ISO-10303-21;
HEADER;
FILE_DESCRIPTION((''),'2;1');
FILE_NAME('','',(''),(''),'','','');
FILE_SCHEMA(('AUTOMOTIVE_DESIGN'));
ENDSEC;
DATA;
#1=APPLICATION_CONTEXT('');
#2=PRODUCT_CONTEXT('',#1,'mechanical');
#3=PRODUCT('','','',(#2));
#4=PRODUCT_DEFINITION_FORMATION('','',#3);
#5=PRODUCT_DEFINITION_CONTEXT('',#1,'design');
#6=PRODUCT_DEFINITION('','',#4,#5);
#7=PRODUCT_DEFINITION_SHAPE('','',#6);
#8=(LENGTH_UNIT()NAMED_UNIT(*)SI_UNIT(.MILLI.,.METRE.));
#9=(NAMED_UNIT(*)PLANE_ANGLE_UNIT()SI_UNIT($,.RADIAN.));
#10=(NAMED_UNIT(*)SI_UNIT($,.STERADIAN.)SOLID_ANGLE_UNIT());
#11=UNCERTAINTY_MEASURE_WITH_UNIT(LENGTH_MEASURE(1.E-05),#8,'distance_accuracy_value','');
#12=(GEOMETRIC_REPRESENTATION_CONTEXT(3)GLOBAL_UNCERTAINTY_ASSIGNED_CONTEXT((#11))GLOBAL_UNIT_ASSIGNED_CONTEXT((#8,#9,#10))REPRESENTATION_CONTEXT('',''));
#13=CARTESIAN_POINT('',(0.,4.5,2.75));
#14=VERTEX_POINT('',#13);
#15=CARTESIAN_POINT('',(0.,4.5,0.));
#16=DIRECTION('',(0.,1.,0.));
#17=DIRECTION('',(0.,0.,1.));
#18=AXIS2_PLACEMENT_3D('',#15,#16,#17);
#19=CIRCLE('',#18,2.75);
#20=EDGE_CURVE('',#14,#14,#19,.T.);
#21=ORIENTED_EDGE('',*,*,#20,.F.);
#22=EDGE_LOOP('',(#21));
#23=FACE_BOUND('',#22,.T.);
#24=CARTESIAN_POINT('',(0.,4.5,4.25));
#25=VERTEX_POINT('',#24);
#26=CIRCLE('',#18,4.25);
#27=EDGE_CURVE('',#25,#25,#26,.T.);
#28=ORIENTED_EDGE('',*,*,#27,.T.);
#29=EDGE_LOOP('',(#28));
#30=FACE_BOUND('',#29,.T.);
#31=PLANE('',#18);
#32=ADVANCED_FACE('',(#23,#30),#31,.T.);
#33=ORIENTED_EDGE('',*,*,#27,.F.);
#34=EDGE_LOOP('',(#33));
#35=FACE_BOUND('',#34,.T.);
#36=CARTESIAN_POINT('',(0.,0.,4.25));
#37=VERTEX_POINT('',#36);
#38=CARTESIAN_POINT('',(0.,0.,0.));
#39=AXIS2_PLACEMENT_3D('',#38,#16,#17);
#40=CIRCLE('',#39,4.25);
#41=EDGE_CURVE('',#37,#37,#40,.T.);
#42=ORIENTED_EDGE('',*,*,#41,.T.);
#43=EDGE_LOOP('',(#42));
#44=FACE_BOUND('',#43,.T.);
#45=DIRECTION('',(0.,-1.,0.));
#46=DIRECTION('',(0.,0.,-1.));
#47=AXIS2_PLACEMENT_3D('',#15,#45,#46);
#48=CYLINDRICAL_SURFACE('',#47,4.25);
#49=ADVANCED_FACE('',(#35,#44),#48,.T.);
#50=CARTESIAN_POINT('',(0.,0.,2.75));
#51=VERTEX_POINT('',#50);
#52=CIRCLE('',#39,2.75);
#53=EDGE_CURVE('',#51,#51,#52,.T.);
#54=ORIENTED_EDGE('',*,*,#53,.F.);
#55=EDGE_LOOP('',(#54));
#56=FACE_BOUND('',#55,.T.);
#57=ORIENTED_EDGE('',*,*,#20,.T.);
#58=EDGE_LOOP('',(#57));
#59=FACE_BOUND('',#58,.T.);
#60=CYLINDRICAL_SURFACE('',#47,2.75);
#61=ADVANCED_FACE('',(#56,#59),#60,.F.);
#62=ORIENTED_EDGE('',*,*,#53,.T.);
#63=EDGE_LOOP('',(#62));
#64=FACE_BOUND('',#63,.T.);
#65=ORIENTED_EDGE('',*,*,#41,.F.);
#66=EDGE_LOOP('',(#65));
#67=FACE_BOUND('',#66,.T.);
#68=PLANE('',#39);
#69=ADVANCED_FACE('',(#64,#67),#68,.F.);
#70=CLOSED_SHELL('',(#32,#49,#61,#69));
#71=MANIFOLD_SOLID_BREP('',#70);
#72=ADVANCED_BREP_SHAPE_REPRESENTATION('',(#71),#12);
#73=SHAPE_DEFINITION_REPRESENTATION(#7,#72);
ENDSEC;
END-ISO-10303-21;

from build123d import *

# Parameters (mm, degrees)
SKETCH1_R           = 4.25
SKETCH1_R_2         = 2.75
BOSS_EXTRUDE1_DEPTH = 4.5


with BuildPart() as part:
    # Sketch1 → Boss-Extrude1 (new body)
    with BuildSketch(Plane(origin=(0, 0, 0), x_dir=(1, 0, 0), z_dir=(0, 1, 0))):
        Circle(SKETCH1_R)
        Circle(SKETCH1_R_2, mode=Mode.SUBTRACT)
    extrude(amount=BOSS_EXTRUDE1_DEPTH)


solid = part.part
